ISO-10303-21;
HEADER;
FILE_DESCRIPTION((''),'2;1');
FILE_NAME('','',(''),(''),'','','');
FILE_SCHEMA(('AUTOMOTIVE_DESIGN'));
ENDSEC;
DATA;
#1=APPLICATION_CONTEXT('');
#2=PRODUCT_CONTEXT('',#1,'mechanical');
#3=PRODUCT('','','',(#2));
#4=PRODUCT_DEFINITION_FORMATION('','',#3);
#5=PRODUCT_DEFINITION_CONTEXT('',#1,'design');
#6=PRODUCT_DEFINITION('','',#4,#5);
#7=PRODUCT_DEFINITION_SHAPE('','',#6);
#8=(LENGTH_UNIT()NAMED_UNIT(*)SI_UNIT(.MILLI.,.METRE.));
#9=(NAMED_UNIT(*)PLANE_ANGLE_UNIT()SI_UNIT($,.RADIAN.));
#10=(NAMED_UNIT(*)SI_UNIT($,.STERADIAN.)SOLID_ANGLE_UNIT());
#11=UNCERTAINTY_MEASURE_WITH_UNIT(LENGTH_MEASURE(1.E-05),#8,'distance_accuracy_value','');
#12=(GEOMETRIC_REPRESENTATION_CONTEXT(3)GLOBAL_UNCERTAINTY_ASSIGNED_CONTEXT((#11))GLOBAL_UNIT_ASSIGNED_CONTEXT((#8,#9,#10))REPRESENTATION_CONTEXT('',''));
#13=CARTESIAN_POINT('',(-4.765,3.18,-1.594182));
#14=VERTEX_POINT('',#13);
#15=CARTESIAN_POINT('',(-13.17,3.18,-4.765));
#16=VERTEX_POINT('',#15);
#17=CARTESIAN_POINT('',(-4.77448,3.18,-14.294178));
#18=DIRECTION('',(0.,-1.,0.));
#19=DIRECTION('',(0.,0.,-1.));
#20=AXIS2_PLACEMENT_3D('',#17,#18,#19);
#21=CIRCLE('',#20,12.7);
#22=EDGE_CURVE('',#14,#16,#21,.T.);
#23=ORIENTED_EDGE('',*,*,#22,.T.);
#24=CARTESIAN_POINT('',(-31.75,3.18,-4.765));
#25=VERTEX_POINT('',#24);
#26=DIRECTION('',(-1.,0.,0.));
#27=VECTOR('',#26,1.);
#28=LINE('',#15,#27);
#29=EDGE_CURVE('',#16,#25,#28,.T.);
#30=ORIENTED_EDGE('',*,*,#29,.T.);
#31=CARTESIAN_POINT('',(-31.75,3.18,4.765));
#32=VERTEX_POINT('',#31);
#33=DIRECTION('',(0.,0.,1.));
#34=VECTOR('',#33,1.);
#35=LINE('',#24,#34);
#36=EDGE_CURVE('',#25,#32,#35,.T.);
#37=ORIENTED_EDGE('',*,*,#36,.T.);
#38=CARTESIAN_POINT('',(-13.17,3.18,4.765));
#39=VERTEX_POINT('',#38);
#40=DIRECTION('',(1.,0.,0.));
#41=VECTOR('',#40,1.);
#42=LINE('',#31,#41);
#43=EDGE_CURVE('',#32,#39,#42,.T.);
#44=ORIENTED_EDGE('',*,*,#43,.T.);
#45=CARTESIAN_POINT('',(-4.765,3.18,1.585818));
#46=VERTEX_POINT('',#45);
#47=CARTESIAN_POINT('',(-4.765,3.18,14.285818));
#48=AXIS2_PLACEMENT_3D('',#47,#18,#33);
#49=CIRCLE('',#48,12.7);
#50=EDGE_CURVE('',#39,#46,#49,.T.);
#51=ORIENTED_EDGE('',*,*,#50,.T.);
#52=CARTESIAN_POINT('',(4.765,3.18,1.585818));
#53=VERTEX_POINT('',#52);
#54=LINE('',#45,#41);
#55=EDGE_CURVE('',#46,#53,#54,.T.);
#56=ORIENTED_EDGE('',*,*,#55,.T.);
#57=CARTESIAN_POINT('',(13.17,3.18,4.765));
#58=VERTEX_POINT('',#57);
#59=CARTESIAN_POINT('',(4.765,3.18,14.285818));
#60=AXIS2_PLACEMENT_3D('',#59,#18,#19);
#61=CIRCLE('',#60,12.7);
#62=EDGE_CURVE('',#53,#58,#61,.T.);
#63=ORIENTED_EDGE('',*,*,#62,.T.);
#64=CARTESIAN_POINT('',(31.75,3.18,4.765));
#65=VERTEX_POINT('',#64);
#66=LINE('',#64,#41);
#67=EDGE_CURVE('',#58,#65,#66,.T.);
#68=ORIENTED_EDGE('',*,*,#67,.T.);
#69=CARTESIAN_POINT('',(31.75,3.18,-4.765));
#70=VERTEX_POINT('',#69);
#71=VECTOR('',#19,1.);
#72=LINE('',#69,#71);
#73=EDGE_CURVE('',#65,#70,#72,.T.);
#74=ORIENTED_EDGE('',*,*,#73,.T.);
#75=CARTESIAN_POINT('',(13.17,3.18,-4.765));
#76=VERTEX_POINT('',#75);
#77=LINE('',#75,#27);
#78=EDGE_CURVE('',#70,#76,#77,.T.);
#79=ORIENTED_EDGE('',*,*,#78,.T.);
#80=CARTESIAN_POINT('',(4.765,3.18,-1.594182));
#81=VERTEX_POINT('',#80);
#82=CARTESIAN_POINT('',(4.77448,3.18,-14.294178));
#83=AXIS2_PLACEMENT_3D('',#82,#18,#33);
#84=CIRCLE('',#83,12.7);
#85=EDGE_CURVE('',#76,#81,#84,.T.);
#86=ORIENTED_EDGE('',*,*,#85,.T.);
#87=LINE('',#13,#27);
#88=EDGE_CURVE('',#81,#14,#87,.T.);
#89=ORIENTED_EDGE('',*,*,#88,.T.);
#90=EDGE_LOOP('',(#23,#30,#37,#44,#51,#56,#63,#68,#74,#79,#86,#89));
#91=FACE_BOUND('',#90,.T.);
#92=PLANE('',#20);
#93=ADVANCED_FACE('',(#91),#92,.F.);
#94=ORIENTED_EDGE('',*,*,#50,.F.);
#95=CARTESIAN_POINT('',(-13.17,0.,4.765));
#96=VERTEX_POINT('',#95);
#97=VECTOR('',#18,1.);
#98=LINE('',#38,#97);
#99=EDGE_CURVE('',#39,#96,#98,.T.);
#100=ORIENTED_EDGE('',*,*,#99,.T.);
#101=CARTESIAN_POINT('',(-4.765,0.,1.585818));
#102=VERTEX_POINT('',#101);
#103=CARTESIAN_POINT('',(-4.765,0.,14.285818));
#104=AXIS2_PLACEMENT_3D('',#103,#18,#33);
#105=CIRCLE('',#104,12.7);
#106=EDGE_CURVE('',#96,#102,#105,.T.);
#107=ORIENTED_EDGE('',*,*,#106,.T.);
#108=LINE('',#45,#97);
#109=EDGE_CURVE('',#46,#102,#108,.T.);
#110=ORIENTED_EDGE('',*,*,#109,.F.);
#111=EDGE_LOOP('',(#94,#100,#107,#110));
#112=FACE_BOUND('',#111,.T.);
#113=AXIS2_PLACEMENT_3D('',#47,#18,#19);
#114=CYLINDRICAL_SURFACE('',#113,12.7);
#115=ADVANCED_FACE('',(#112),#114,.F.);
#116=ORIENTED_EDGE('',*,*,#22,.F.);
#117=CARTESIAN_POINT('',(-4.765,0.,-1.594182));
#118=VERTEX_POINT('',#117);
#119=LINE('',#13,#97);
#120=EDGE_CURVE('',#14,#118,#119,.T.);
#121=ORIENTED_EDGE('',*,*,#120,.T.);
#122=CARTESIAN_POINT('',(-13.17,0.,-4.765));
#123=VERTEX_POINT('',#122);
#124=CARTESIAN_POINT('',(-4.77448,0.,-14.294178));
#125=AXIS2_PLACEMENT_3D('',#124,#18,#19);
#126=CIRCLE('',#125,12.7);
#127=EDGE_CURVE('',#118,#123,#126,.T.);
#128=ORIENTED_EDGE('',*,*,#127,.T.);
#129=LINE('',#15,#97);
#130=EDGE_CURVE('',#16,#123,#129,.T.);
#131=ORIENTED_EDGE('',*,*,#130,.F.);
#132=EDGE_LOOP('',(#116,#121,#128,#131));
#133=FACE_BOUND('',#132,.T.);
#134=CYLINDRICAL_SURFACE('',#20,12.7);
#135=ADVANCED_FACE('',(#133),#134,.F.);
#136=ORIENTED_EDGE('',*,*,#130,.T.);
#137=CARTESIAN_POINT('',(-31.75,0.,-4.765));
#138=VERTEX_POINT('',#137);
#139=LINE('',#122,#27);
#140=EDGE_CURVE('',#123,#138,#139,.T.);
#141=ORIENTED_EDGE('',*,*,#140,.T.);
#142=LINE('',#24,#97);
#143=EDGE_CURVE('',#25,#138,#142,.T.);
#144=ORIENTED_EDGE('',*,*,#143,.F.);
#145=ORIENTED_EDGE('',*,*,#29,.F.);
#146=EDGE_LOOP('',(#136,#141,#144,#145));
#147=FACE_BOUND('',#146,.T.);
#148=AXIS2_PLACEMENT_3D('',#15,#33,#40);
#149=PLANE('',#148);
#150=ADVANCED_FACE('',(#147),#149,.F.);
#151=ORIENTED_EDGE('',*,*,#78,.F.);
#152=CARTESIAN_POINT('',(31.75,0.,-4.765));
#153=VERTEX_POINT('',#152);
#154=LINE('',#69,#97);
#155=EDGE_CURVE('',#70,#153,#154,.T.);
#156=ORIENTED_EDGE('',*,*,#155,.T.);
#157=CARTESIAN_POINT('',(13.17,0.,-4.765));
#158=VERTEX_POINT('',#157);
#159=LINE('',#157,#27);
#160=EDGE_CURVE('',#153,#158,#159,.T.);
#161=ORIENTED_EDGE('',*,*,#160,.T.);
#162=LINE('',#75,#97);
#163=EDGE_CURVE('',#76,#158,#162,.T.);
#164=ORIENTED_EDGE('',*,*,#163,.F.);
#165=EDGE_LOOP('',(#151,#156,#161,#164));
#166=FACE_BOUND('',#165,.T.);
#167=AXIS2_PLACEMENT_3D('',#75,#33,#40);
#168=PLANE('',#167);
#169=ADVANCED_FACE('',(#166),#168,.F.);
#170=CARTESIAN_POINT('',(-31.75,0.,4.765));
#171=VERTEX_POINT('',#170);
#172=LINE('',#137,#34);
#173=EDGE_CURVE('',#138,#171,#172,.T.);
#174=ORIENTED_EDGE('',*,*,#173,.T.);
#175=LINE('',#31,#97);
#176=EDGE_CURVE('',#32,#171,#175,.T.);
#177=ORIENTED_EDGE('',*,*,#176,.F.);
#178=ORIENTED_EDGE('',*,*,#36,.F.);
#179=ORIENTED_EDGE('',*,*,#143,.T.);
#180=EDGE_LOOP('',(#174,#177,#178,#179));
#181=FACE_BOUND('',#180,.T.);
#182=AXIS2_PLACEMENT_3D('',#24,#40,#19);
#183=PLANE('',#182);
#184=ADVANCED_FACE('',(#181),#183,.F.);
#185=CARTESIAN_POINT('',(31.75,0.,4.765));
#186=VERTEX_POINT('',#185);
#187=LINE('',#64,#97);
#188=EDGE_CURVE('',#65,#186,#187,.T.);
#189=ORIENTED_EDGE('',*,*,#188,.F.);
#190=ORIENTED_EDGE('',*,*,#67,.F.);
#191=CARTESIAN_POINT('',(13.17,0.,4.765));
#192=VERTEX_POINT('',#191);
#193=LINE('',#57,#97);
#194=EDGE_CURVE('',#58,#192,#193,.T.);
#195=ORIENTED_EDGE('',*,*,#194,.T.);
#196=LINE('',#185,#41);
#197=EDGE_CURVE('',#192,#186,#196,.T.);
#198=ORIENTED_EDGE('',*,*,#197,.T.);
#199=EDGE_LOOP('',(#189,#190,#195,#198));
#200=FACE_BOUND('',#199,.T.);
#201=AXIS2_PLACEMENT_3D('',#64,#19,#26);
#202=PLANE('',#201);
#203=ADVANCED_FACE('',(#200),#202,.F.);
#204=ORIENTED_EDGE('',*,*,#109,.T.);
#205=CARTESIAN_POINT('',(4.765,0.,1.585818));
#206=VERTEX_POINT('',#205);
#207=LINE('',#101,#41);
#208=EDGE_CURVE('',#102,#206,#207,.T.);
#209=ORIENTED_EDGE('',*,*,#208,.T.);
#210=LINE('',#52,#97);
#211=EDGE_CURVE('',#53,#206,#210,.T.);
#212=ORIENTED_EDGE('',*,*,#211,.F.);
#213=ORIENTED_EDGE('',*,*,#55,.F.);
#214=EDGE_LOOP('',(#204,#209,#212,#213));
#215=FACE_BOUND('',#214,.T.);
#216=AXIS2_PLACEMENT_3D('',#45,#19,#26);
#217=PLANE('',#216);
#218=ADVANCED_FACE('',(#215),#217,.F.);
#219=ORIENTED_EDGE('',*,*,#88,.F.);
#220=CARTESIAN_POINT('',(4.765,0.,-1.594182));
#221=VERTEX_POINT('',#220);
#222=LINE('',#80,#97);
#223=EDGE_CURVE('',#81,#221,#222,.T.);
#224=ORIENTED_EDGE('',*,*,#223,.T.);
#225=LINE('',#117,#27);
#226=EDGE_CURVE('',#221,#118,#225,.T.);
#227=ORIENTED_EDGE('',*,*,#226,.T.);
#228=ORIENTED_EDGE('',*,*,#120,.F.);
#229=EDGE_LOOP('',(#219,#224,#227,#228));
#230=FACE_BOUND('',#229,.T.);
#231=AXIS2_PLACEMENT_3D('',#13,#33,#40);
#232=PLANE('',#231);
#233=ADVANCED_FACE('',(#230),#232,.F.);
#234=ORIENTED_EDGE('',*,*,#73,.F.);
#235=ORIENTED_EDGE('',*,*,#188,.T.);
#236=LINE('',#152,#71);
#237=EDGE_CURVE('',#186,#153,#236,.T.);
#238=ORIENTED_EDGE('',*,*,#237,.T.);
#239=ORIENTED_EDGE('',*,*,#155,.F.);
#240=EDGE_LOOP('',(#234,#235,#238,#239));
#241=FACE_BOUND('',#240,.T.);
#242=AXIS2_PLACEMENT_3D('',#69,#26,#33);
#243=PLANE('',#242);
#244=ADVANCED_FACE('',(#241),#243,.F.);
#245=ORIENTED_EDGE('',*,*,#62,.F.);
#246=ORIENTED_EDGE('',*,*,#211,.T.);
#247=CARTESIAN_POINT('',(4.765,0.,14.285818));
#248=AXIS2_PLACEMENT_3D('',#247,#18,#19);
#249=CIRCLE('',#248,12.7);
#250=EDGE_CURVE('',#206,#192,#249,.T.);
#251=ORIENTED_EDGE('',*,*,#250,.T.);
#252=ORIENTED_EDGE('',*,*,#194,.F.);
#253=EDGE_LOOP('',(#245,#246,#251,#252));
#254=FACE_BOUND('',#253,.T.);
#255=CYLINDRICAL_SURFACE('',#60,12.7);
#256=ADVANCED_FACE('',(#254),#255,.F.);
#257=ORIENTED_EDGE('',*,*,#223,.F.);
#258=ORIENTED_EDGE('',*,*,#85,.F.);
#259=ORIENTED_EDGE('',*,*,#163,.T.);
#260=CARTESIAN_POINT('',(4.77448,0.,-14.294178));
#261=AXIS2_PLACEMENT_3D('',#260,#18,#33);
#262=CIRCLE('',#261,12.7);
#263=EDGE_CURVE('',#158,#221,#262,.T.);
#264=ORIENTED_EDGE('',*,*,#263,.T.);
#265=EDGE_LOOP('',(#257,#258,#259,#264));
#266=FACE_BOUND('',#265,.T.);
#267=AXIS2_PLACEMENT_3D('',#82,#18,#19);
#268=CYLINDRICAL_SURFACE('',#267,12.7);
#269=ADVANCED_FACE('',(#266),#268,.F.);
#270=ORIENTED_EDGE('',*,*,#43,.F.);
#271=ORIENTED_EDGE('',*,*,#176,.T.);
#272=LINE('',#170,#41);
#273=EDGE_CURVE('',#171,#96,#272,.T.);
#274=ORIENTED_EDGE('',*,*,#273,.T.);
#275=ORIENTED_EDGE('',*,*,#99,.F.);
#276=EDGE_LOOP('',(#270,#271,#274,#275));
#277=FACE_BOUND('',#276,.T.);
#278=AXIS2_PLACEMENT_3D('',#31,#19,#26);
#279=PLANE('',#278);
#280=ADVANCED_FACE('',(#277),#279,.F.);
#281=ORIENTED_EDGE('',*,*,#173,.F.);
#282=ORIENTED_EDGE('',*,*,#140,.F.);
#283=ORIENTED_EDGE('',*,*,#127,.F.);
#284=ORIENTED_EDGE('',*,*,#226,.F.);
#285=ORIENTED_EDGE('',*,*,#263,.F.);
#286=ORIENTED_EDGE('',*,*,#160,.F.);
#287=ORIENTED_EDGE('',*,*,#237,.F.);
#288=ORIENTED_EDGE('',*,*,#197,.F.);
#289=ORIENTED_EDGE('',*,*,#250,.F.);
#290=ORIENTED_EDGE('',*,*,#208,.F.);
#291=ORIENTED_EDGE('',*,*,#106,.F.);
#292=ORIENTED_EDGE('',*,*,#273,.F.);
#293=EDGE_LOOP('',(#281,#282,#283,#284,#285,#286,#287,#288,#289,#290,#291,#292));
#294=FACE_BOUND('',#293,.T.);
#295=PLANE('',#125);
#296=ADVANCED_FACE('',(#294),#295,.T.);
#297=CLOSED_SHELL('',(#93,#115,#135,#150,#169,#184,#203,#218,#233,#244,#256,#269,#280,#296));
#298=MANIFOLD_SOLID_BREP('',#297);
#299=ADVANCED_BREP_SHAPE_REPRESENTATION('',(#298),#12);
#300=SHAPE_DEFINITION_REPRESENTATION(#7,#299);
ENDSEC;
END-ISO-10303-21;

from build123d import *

# Parameters (mm, degrees)
SALIENTE_EXTRUIR1_DEPTH = 3.18


with BuildPart() as part:
    # Croquis1 → Saliente-Extruir1 (new body)
    with BuildSketch(Plane(origin=(0, 0, 0), x_dir=(1, 0, 0), z_dir=(0, 1, 0))):
        with BuildLine():
            Line((-4.765, 1.59418202), (4.765, 1.59418202))
            ThreePointArc((4.765, 1.59418202), (9.257217817, 2.411625687), (13.17, 4.765))
            Line((13.17, 4.765), (31.75, 4.765))
            Line((31.75, 4.765), (31.75, -4.765))
            Line((31.75, -4.765), (13.17, -4.765))
            ThreePointArc((13.17, -4.765), (9.258084222, -2.407173521), (4.765, -1.58581798))
            Line((4.765, -1.58581798), (-4.765, -1.58581798))
            ThreePointArc((-4.765, -1.58581798), (-9.258084222, -2.407173521), (-13.17, -4.765))
            Line((-13.17, -4.765), (-31.75, -4.765))
            Line((-31.75, -4.765), (-31.75, 4.765))
            Line((-31.75, 4.765), (-13.17, 4.765))
            ThreePointArc((-13.17, 4.765), (-9.257217817, 2.411625687), (-4.765, 1.59418202))
        make_face()
    extrude(amount=SALIENTE_EXTRUIR1_DEPTH)


solid = part.part
